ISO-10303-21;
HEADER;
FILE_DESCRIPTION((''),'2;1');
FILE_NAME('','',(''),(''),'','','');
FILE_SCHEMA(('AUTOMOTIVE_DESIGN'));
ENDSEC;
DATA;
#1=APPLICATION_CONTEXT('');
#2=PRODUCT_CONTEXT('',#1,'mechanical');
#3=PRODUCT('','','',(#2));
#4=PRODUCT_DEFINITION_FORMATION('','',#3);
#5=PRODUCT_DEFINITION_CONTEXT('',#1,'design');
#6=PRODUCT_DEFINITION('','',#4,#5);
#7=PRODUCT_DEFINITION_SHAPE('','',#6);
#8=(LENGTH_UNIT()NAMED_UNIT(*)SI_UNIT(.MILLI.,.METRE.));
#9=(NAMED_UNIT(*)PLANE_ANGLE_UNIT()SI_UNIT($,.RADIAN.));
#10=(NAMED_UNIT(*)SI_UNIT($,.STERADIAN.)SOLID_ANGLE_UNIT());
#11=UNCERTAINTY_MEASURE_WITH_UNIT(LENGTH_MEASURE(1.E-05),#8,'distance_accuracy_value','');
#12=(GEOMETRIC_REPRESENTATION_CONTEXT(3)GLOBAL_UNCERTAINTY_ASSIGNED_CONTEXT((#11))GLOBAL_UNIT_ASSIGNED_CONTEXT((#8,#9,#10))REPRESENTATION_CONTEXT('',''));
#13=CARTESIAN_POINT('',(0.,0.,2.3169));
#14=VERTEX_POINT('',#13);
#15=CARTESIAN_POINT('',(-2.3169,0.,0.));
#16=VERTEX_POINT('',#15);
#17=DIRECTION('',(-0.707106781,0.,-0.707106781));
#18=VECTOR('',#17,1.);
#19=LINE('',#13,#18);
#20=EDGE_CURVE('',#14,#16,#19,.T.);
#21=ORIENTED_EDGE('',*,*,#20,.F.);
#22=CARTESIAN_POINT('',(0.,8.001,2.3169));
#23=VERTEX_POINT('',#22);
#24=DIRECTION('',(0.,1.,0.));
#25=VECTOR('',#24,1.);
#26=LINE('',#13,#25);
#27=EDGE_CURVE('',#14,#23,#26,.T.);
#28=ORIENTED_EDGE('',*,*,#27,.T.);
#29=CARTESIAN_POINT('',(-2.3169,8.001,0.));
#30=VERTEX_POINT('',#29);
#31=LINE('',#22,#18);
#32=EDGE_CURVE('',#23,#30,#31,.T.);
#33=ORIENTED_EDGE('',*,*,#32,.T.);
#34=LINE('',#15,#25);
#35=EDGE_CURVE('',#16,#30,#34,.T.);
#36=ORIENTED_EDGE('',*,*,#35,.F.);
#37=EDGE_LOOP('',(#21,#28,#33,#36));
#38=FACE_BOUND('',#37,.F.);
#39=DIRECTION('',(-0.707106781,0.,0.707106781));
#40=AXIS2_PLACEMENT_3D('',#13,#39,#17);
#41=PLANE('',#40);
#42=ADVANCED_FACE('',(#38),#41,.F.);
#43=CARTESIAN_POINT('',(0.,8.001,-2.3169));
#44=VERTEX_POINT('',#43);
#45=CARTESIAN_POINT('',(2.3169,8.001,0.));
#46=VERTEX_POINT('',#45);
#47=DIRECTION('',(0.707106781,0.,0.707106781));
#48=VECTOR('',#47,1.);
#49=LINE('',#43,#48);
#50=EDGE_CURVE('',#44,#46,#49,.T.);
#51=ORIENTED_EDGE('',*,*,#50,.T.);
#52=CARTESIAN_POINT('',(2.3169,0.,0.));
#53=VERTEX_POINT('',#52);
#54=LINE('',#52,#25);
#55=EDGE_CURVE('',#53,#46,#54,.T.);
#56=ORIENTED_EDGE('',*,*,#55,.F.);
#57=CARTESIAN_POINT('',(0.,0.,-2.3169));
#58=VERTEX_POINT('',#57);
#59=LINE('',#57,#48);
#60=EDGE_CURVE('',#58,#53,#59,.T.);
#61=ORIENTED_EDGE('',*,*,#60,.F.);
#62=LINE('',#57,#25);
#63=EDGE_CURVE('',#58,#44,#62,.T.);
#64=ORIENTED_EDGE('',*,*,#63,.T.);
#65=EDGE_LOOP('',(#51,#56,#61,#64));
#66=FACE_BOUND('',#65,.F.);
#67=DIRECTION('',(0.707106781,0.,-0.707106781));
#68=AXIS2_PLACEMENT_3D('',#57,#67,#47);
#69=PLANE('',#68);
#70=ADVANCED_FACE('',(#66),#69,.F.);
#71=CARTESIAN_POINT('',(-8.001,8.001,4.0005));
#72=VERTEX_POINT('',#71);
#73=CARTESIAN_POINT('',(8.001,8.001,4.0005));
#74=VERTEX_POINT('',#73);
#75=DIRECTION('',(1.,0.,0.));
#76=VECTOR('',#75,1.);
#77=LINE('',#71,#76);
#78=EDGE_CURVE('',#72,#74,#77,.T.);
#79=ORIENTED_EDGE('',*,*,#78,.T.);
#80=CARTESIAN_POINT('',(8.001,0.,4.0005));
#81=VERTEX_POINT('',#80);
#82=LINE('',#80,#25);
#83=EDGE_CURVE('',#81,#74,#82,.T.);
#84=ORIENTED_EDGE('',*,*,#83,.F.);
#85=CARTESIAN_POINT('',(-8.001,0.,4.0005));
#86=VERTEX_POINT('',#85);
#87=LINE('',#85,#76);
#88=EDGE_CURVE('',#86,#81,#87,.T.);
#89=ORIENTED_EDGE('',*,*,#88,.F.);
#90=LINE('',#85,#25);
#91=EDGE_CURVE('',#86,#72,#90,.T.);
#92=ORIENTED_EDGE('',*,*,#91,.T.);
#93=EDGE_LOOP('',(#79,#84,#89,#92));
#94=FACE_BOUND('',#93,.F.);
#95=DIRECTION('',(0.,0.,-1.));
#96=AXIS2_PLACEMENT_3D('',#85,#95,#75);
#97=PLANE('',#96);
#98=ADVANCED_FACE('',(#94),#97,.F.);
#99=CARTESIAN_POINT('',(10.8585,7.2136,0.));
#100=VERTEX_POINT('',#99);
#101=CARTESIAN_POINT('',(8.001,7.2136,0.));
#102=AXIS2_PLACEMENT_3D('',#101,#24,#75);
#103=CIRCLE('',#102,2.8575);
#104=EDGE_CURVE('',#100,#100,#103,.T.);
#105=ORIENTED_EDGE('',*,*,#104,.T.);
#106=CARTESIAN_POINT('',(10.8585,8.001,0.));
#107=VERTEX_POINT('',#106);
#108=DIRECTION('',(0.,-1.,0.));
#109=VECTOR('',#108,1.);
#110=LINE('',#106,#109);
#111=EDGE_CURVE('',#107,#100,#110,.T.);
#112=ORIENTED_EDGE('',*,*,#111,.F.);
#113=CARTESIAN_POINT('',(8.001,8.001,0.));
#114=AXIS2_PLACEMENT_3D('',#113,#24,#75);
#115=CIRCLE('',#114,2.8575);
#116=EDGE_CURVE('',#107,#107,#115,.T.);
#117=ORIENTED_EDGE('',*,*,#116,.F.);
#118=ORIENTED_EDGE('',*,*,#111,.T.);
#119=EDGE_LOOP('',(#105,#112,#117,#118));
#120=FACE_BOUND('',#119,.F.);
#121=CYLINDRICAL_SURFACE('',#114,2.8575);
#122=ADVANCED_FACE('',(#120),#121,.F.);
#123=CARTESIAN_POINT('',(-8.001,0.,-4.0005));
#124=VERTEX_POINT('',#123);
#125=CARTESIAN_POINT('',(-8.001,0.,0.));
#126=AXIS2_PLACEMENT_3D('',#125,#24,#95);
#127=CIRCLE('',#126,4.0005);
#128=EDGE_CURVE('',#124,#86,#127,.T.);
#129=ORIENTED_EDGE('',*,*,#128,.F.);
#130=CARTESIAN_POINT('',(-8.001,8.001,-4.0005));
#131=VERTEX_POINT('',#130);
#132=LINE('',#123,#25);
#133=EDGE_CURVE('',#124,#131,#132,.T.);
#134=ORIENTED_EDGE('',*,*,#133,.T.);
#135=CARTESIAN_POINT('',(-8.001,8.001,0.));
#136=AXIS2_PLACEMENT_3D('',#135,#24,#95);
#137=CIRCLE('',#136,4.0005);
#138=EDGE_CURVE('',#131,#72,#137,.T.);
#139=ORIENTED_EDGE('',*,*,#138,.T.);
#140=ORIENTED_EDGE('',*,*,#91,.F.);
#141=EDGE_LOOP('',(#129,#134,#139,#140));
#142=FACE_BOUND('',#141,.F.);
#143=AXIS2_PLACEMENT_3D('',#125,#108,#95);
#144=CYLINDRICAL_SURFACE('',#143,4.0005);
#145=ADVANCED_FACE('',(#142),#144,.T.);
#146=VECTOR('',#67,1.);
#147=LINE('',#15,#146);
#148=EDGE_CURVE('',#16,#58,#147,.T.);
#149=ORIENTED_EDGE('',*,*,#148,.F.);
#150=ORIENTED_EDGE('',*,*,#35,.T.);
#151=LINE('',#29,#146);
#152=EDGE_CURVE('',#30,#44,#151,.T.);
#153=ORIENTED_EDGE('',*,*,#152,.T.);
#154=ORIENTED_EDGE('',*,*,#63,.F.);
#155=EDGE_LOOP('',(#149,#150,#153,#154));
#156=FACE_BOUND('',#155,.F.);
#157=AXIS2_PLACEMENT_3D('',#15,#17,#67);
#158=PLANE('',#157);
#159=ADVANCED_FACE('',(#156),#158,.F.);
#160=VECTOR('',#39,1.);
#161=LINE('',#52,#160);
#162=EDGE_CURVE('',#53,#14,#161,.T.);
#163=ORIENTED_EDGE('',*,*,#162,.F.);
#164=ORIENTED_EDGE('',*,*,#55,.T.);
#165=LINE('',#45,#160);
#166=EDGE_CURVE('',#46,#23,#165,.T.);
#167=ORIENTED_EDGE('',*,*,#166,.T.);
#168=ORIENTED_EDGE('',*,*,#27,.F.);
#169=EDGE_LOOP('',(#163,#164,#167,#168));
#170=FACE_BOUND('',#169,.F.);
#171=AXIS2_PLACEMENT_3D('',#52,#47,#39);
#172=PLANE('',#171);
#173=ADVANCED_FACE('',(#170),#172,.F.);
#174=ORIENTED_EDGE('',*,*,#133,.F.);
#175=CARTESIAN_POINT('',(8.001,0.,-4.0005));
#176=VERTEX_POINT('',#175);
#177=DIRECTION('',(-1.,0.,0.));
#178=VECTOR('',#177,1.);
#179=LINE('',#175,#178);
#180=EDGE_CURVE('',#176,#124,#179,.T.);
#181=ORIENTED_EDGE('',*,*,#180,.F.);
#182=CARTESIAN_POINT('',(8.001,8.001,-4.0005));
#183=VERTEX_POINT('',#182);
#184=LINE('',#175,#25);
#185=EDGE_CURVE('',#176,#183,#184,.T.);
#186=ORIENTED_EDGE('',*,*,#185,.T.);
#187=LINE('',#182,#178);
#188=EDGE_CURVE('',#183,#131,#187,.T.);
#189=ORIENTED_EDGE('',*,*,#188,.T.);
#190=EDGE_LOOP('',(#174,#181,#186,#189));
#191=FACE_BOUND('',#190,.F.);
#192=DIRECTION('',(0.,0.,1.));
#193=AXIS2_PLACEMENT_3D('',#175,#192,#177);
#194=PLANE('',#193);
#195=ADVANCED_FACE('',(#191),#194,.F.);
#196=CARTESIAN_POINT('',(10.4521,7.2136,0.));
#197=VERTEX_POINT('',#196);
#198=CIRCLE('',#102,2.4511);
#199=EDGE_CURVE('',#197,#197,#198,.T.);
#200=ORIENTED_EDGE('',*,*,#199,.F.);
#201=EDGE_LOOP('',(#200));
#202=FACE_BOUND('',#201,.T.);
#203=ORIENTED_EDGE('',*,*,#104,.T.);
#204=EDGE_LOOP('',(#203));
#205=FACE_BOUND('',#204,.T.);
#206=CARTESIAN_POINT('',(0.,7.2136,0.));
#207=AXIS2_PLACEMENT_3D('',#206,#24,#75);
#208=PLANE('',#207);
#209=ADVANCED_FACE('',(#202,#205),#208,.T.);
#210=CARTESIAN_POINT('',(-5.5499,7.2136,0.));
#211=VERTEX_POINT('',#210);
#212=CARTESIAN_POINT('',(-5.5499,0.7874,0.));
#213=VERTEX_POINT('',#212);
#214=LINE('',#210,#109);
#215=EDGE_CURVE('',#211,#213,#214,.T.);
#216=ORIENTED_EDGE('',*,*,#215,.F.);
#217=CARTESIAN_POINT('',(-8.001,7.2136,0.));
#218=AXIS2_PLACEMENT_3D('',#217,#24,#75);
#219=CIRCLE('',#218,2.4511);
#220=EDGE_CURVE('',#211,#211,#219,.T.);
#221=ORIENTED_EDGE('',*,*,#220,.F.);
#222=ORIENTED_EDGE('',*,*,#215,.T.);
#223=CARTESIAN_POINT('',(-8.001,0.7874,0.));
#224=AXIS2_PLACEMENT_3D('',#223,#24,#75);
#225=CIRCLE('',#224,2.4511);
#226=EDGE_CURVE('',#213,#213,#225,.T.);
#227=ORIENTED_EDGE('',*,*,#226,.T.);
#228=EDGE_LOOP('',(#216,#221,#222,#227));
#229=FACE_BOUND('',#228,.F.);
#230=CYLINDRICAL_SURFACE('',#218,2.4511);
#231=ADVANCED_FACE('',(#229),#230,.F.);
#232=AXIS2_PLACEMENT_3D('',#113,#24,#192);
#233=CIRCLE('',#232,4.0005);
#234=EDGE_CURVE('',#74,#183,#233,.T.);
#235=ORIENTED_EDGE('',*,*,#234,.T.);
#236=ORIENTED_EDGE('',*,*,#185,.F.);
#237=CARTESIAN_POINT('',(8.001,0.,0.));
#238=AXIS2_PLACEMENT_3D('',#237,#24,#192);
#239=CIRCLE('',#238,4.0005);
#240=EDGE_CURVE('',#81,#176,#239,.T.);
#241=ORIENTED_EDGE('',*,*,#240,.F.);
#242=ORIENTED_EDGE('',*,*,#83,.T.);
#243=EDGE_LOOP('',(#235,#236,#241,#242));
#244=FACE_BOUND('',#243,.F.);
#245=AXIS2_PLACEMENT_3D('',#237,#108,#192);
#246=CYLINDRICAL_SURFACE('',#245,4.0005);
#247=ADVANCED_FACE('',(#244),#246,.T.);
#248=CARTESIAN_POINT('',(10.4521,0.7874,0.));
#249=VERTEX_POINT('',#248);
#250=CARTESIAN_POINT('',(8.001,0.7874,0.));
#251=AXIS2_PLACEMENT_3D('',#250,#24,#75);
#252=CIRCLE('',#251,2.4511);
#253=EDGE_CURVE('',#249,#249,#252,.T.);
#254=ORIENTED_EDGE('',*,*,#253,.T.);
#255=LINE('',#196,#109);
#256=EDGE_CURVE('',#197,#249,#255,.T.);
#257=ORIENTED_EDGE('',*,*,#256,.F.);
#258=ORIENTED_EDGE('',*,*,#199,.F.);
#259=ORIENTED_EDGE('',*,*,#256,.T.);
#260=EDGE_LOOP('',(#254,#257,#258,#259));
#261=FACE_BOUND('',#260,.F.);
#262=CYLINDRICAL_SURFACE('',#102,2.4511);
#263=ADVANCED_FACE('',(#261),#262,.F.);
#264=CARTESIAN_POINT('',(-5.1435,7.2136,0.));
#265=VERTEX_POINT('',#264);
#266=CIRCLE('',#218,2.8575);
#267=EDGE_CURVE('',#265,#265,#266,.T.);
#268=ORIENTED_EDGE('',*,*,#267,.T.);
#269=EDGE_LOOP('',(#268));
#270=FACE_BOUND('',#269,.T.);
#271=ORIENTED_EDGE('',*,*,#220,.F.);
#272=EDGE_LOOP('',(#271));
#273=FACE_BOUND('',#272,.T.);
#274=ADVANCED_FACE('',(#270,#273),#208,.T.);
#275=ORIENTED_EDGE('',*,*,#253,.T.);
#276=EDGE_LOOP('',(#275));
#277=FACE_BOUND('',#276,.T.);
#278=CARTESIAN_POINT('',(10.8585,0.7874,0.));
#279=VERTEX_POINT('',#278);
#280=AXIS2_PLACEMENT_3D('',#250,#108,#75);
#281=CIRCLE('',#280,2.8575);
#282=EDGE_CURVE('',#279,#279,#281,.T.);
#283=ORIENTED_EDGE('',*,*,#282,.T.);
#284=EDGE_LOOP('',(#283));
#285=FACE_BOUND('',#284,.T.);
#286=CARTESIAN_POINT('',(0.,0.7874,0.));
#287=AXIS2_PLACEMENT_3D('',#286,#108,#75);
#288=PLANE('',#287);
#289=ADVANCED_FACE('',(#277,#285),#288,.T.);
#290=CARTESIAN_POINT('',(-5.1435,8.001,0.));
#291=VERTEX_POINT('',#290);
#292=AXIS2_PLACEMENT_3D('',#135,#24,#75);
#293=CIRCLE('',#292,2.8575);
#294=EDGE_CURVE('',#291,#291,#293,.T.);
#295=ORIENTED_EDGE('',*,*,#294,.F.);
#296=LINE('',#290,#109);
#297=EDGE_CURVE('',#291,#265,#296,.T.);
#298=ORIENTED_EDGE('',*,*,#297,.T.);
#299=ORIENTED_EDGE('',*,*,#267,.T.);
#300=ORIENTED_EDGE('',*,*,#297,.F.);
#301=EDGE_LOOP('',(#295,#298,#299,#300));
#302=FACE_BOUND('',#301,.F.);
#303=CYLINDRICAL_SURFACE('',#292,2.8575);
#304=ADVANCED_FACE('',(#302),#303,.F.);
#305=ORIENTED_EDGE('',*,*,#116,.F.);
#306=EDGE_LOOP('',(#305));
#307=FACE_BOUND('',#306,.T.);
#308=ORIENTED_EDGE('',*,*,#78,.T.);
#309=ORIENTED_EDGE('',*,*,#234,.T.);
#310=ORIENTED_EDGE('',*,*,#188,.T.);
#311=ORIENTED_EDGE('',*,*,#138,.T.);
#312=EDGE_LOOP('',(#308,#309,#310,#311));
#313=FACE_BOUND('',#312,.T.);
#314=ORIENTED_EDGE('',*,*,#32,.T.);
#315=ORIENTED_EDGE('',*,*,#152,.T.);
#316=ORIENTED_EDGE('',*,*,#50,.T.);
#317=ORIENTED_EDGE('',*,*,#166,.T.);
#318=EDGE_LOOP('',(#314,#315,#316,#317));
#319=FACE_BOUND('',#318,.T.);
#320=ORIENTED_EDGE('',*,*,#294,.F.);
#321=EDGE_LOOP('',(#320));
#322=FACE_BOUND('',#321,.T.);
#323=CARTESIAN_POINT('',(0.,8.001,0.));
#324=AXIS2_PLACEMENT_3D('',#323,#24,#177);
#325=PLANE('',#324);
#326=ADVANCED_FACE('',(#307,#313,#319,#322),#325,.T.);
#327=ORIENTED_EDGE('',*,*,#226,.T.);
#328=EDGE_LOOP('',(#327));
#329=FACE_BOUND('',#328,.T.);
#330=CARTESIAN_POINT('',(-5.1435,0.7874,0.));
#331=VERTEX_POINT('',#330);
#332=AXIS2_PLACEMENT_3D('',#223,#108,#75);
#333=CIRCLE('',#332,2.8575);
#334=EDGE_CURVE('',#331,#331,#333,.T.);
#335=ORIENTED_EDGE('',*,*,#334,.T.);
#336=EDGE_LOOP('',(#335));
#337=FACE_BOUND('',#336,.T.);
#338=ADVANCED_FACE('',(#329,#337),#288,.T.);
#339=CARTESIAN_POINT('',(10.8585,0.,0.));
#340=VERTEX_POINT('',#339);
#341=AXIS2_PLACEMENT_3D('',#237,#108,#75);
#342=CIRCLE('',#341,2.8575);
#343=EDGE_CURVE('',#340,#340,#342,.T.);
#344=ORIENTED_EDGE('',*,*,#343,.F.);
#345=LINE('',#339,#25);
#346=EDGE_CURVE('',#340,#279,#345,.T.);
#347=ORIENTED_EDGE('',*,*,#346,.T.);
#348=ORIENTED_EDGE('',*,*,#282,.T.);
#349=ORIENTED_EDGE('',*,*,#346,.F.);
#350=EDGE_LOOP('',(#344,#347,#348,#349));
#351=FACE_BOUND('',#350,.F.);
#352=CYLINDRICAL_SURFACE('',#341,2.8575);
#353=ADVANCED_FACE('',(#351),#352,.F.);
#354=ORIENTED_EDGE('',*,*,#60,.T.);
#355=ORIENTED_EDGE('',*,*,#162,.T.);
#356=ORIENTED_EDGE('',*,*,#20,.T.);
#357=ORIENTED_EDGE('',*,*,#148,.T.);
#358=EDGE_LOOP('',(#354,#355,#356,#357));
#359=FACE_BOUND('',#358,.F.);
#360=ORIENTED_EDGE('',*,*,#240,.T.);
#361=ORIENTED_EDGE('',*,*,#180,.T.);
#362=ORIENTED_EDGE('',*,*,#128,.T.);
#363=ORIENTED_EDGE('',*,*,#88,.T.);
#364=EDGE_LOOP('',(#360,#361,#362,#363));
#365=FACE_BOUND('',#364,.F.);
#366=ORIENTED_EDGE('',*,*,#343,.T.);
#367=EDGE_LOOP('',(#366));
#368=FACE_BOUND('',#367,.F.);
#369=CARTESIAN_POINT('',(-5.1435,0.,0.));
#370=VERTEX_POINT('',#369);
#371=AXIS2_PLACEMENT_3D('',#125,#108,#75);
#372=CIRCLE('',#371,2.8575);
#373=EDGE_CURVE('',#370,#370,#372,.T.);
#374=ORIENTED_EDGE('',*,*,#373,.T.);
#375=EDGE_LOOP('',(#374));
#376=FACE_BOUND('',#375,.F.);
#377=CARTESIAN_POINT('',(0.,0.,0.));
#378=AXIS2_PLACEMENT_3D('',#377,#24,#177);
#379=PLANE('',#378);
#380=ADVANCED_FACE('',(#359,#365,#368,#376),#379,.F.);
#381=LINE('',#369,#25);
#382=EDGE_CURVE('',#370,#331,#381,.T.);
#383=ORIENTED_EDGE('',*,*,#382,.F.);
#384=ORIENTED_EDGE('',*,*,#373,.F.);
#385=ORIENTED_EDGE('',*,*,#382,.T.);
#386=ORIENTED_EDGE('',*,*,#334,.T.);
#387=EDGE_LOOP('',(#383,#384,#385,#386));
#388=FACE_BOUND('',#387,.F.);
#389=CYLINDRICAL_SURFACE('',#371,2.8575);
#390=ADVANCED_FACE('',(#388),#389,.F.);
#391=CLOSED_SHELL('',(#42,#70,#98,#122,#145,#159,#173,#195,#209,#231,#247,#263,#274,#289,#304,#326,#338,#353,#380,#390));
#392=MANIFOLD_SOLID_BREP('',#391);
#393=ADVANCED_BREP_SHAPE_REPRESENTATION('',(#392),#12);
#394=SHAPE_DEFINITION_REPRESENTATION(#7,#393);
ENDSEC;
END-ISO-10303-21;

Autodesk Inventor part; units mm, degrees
ref_plane "YZ Plane" through (0, 0, 0) normal (1, 0, 0) x (0, 1, 0)
ref_plane "XZ Plane" through (0, 0, 0) normal (0, 1, 0) x (-1, 0, 0)
ref_plane "XY Plane" through (0, 0, 0) normal (0, 0, 1) x (1, 0, 0)
sketch "Sketch1" plane through (0, 0, 0) normal (0, 1, 0) x (-1, 0, 0)
  line L0 (-8.001, 0) -> (8.001, 0) construction
  line L1 (-8.001, -4.0005) -> (8.001, -4.0005)
  line L2 (8.001, 4.0005) -> (-8.001, 4.0005)
  arc A0 (-8.001, 4.0005) -> (-8.001, -4.0005) centre (-8.001, 0) ccw
  arc A1 (8.001, -4.0005) -> (8.001, 4.0005) centre (8.001, 0) ccw
  line L3 (-2.3169, 0) -> (0, 2.3169)
  line L4 (0, 2.3169) -> (2.3169, 0)
  line L5 (2.3169, 0) -> (0, -2.3169)
  line L6 (0, -2.3169) -> (-2.3169, 0)
  line L7 (-2.3169, 0) -> (2.3169, 0) construction
  line L8 (0, 2.3169) -> (0, -2.3169) construction
  point P0 (0, 0)
  dimension "d0" = 8.001
  dimension "d1" = 8.001
  dimension "d2" = 3.2766
  dimension "d3" = 3.2766
extrude "Extrusion1" add sketch "Sketch1" along normal blind 8.001
sketch "Sketch2" plane through (0, 8.001, 0) normal (0, 1, 0) x (1, 0, 0)
  circle A0 centre (-8.001, 0) radius 2.8575
  point P0 (0, 0)
  dimension "d6" = 8.001
  dimension "d7" = 5.715
extrude "Extrusion2" cut sketch "Sketch2" against normal blind 0.7874
sketch "Sketch3" plane through (0, 8.001, 0) normal (0, 1, 0) x (1, 0, 0)
  circle A0 centre (8.001, 0) radius 2.8575
  point P0 (0, 0)
  dimension "d10" = 8.001
  dimension "d11" = 5.715
extrude "Extrusion3" cut sketch "Sketch3" against normal blind 0.7874
sketch "Sketch4" plane through (0, 0, 0) normal (0, -1, 0) x (1, 0, 0)
  circle A0 centre (8.001, 0) radius 2.8575 projected
  circle A1 centre (8.001, 0) radius 2.8575
  point P0 (0, 0)
extrude "Extrusion4" cut sketch "Sketch4" against normal blind 0.7874
sketch "Sketch5" plane through (0, 0, 0) normal (0, -1, 0) x (1, 0, 0)
  circle A0 centre (-8.001, 0) radius 2.8575 projected
  circle A1 centre (-8.001, 0) radius 2.8575
  point P0 (0, 0)
extrude "Extrusion5" cut sketch "Sketch5" against normal blind 0.7874
sketch "Sketch6" plane through (-8.001, 7.2136, 0) normal (0, 1, 0) x (1, 0, 0)
  circle A0 centre (0, 0) radius 2.4511
  point P0 (8.001, 0)
  dimension "d18" = 4.9022
extrude "Extrusion6" cut sketch "Sketch6" against normal through all
sketch "Sketch7" plane through (8.001, 7.2136, 0) normal (0, 1, 0) x (1, 0, 0)
  circle A0 centre (0, 0) radius 2.4511
  point P0 (-8.001, 0)
  dimension "d21" = 4.9022
extrude "Extrusion7" cut sketch "Sketch7" against normal through all
properties part number "VexLegoCouplerBasic"
